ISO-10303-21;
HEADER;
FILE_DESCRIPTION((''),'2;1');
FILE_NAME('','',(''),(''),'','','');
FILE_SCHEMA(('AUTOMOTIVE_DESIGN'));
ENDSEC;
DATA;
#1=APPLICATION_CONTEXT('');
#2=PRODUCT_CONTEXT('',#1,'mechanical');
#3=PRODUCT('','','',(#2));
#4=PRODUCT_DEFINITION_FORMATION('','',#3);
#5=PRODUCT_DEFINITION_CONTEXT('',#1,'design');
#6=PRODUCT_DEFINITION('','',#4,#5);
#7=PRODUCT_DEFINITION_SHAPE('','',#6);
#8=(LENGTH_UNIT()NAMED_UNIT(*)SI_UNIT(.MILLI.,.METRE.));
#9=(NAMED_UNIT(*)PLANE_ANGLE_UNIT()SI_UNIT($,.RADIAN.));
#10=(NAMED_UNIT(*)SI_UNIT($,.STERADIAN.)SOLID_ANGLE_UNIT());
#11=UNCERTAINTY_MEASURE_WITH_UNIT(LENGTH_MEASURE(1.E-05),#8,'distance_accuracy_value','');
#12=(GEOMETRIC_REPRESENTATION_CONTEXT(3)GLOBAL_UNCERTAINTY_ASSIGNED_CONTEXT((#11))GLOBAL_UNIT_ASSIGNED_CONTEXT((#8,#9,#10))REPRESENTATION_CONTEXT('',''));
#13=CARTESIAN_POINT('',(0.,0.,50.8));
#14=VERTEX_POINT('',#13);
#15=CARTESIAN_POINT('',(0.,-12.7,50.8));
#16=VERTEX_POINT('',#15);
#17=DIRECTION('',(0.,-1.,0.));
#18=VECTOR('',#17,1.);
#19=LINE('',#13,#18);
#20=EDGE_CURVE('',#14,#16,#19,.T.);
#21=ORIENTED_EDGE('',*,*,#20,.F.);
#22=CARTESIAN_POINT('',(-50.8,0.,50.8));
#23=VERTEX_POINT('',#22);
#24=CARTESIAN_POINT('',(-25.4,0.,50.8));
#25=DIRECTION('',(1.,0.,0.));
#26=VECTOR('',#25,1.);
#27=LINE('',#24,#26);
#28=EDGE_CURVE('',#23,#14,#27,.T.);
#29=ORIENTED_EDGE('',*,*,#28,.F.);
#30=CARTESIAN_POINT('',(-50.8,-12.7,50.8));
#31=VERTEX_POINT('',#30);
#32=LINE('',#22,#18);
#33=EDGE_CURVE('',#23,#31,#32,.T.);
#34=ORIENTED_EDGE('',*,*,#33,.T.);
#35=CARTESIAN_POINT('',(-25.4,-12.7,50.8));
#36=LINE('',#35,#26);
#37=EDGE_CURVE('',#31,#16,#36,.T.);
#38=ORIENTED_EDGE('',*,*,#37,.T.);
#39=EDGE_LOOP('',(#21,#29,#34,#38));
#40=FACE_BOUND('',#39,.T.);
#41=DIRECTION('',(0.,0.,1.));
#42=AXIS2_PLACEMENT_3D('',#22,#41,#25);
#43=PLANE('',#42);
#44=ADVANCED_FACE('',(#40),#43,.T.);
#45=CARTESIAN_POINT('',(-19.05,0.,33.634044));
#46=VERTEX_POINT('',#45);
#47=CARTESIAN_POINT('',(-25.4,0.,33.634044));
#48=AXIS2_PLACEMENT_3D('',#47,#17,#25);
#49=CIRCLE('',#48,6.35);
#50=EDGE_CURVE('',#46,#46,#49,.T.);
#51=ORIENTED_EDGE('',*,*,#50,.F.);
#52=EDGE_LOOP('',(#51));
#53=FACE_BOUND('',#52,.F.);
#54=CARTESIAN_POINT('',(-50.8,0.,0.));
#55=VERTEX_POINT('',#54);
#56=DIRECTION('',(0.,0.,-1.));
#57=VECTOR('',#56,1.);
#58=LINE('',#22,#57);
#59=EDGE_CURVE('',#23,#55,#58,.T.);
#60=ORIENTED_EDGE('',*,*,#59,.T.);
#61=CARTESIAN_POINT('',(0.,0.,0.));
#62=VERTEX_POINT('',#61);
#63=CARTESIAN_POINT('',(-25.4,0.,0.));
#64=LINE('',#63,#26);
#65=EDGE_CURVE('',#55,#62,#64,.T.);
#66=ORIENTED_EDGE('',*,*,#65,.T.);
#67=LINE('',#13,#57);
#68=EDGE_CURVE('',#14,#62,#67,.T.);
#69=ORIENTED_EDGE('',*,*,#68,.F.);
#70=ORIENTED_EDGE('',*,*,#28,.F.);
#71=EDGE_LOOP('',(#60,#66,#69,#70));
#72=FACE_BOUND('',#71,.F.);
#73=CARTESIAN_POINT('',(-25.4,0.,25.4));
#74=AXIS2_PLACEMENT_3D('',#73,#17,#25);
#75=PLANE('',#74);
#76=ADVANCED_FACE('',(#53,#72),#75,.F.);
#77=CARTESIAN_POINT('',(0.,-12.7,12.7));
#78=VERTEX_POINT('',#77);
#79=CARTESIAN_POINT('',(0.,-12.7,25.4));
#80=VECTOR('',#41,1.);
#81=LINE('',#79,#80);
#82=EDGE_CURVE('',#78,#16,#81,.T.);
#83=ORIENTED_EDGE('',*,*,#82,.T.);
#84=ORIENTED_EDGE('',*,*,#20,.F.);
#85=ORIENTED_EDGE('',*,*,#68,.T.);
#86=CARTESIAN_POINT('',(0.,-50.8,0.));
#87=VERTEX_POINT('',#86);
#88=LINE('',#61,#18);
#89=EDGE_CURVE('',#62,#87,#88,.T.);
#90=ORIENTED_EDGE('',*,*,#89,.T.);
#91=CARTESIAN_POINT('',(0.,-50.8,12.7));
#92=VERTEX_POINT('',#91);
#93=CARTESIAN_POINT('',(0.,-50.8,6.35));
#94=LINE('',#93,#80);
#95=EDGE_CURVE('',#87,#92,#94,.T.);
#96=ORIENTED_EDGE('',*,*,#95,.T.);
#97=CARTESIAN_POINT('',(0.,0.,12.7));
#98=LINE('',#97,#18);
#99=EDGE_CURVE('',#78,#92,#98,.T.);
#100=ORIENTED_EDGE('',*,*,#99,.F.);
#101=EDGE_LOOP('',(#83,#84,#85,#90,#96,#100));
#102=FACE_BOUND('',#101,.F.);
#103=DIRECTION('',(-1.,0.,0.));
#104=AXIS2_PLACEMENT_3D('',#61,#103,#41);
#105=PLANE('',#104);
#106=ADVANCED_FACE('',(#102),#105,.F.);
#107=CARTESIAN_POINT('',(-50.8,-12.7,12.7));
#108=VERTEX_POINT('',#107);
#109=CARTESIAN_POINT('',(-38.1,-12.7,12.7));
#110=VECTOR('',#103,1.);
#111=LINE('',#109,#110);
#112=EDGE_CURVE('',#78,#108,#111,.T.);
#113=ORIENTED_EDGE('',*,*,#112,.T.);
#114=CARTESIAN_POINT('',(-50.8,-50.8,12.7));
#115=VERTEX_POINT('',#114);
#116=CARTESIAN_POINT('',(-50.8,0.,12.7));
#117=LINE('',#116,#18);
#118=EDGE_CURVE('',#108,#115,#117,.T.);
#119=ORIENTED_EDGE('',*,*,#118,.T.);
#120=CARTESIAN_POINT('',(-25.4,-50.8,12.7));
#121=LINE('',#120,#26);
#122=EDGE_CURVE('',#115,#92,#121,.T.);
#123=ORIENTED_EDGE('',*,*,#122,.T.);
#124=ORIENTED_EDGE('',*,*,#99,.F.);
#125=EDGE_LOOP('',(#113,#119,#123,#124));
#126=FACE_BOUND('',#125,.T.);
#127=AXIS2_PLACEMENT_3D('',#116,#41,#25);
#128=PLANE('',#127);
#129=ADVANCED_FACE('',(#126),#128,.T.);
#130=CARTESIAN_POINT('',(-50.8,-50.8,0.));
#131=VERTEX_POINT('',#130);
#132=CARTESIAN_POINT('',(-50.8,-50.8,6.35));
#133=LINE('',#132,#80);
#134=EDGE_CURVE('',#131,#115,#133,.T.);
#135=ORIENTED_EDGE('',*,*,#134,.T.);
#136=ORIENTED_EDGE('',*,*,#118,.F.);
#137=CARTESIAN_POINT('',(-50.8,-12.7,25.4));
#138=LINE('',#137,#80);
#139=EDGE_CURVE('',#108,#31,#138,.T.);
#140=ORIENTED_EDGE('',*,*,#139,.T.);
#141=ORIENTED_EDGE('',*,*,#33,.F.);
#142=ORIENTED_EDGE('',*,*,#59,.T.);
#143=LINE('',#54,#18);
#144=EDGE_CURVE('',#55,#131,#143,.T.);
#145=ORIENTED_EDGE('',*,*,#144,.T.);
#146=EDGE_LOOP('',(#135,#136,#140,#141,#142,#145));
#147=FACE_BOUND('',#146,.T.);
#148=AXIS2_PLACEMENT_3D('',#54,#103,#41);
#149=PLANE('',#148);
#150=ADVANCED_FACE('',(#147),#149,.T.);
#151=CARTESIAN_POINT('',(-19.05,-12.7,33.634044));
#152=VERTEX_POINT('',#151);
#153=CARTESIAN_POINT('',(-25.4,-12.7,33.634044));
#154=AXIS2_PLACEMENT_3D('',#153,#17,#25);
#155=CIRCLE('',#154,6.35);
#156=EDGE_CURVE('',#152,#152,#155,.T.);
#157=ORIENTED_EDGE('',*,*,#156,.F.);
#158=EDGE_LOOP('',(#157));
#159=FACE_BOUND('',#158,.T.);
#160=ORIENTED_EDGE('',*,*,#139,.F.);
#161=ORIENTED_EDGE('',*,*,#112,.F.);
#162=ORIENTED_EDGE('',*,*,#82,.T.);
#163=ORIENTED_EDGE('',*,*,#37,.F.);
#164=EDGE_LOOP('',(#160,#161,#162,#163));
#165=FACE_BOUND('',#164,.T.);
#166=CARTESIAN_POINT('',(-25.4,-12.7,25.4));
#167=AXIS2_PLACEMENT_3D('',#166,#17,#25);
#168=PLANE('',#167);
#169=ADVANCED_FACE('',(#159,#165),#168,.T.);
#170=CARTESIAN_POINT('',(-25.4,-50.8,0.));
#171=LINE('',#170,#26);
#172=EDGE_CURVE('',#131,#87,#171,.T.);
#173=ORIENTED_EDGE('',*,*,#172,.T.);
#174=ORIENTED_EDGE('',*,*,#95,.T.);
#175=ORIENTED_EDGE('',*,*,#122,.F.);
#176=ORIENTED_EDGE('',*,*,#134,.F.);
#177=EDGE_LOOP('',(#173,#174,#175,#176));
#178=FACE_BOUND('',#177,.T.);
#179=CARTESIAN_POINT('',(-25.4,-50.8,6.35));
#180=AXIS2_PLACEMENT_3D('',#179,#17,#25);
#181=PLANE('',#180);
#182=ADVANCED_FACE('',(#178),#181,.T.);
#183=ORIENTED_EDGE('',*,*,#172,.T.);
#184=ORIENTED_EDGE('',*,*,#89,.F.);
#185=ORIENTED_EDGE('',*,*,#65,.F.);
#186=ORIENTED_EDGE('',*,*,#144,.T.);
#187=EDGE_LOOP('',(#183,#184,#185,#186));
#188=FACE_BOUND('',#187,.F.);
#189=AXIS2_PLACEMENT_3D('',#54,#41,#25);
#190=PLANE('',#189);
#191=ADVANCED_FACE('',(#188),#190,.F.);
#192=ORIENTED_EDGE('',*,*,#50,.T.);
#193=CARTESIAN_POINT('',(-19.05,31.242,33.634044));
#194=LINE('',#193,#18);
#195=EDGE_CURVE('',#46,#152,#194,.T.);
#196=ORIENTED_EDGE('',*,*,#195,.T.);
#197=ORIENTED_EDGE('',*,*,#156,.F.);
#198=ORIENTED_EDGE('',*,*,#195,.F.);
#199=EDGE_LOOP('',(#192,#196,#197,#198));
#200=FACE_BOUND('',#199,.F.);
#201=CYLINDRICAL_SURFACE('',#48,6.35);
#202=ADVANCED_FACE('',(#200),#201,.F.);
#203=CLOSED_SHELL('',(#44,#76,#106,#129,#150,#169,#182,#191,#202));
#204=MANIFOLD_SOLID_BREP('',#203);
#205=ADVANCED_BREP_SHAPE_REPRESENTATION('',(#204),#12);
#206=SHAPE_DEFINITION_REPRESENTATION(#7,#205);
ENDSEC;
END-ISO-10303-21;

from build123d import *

# Parameters (mm, degrees)
F0_W     = 50.8
F0_H     = 50.8
F2_DEPTH = 12.7
F1_W     = 50.8
F1_H     = 12.7
F3_DEPTH = 50.8
F4_R     = 6.35
F5_DEPTH = 31.242


with BuildPart() as f2:
    # F0 (on Front) → F2 (new body)
    with BuildSketch(Plane.XZ):
        with Locations((-25.4, 25.4)):
            Rectangle(F0_W, F0_H)
    extrude(amount=F2_DEPTH)

    # F1 (on Front) → F3 (join)
    with BuildSketch(Plane.XZ):
        with Locations((-25.4, 6.35)):
            Rectangle(F1_W, F1_H)
    extrude(amount=F3_DEPTH)

    # F4 (on Front) → F5 (cut, symmetric)
    with BuildSketch(Plane.XZ):
        with Locations((-25.4, 33.634044)):
            Circle(F4_R)
    extrude(amount=F5_DEPTH, both=True, mode=Mode.SUBTRACT)


solid = f2.part
